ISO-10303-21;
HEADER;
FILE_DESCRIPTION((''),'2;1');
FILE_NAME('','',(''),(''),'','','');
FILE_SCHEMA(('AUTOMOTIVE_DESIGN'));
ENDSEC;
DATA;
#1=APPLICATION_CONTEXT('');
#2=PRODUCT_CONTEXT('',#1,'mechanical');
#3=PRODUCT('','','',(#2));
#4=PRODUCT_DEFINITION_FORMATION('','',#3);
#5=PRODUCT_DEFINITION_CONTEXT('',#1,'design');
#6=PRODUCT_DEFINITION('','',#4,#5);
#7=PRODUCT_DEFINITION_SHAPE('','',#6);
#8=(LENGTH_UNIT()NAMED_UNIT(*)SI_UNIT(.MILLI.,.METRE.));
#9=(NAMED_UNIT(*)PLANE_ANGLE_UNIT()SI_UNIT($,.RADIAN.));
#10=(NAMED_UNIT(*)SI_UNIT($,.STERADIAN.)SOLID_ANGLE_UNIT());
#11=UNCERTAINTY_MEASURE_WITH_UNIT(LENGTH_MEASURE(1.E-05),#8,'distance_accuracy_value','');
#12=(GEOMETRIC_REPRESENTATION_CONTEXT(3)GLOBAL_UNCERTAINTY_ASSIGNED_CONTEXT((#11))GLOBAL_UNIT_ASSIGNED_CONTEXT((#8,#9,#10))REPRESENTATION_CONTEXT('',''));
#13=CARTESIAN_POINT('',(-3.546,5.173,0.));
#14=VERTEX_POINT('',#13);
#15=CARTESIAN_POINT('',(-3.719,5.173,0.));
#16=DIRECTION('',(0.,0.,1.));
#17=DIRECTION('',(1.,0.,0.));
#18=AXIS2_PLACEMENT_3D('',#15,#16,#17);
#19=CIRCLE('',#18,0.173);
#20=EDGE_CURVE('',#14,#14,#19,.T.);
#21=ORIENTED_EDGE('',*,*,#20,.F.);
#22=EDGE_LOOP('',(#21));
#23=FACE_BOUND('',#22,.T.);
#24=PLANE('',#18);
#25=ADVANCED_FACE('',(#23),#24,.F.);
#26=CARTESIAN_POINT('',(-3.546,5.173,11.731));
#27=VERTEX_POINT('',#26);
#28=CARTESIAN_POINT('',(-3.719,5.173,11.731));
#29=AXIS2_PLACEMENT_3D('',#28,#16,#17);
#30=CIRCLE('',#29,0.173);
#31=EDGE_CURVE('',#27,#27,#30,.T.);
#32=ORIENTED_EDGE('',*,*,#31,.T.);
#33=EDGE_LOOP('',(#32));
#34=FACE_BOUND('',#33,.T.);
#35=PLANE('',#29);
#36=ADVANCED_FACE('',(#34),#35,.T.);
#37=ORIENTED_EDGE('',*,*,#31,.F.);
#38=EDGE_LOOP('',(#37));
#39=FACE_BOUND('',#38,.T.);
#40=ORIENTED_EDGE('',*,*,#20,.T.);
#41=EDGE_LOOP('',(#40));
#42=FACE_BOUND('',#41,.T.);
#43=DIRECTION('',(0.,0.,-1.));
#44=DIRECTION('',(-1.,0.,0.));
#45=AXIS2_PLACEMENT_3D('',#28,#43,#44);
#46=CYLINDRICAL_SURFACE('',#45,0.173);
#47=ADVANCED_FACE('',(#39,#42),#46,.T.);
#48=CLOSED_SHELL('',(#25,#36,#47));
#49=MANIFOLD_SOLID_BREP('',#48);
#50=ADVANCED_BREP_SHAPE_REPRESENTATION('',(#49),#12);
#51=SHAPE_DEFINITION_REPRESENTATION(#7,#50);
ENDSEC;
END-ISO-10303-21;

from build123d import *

# Parameters (mm, degrees)
CURVESKETCH_R   = 0.173
CURVEBOSS_DEPTH = 11.731


with BuildPart() as part:
    # CurveSketch → CurveBoss (new body)
    with BuildSketch(Plane.XY):
        with Locations((-3.719, 5.173)):
            Circle(CURVESKETCH_R)
    extrude(amount=CURVEBOSS_DEPTH)


solid = part.part
